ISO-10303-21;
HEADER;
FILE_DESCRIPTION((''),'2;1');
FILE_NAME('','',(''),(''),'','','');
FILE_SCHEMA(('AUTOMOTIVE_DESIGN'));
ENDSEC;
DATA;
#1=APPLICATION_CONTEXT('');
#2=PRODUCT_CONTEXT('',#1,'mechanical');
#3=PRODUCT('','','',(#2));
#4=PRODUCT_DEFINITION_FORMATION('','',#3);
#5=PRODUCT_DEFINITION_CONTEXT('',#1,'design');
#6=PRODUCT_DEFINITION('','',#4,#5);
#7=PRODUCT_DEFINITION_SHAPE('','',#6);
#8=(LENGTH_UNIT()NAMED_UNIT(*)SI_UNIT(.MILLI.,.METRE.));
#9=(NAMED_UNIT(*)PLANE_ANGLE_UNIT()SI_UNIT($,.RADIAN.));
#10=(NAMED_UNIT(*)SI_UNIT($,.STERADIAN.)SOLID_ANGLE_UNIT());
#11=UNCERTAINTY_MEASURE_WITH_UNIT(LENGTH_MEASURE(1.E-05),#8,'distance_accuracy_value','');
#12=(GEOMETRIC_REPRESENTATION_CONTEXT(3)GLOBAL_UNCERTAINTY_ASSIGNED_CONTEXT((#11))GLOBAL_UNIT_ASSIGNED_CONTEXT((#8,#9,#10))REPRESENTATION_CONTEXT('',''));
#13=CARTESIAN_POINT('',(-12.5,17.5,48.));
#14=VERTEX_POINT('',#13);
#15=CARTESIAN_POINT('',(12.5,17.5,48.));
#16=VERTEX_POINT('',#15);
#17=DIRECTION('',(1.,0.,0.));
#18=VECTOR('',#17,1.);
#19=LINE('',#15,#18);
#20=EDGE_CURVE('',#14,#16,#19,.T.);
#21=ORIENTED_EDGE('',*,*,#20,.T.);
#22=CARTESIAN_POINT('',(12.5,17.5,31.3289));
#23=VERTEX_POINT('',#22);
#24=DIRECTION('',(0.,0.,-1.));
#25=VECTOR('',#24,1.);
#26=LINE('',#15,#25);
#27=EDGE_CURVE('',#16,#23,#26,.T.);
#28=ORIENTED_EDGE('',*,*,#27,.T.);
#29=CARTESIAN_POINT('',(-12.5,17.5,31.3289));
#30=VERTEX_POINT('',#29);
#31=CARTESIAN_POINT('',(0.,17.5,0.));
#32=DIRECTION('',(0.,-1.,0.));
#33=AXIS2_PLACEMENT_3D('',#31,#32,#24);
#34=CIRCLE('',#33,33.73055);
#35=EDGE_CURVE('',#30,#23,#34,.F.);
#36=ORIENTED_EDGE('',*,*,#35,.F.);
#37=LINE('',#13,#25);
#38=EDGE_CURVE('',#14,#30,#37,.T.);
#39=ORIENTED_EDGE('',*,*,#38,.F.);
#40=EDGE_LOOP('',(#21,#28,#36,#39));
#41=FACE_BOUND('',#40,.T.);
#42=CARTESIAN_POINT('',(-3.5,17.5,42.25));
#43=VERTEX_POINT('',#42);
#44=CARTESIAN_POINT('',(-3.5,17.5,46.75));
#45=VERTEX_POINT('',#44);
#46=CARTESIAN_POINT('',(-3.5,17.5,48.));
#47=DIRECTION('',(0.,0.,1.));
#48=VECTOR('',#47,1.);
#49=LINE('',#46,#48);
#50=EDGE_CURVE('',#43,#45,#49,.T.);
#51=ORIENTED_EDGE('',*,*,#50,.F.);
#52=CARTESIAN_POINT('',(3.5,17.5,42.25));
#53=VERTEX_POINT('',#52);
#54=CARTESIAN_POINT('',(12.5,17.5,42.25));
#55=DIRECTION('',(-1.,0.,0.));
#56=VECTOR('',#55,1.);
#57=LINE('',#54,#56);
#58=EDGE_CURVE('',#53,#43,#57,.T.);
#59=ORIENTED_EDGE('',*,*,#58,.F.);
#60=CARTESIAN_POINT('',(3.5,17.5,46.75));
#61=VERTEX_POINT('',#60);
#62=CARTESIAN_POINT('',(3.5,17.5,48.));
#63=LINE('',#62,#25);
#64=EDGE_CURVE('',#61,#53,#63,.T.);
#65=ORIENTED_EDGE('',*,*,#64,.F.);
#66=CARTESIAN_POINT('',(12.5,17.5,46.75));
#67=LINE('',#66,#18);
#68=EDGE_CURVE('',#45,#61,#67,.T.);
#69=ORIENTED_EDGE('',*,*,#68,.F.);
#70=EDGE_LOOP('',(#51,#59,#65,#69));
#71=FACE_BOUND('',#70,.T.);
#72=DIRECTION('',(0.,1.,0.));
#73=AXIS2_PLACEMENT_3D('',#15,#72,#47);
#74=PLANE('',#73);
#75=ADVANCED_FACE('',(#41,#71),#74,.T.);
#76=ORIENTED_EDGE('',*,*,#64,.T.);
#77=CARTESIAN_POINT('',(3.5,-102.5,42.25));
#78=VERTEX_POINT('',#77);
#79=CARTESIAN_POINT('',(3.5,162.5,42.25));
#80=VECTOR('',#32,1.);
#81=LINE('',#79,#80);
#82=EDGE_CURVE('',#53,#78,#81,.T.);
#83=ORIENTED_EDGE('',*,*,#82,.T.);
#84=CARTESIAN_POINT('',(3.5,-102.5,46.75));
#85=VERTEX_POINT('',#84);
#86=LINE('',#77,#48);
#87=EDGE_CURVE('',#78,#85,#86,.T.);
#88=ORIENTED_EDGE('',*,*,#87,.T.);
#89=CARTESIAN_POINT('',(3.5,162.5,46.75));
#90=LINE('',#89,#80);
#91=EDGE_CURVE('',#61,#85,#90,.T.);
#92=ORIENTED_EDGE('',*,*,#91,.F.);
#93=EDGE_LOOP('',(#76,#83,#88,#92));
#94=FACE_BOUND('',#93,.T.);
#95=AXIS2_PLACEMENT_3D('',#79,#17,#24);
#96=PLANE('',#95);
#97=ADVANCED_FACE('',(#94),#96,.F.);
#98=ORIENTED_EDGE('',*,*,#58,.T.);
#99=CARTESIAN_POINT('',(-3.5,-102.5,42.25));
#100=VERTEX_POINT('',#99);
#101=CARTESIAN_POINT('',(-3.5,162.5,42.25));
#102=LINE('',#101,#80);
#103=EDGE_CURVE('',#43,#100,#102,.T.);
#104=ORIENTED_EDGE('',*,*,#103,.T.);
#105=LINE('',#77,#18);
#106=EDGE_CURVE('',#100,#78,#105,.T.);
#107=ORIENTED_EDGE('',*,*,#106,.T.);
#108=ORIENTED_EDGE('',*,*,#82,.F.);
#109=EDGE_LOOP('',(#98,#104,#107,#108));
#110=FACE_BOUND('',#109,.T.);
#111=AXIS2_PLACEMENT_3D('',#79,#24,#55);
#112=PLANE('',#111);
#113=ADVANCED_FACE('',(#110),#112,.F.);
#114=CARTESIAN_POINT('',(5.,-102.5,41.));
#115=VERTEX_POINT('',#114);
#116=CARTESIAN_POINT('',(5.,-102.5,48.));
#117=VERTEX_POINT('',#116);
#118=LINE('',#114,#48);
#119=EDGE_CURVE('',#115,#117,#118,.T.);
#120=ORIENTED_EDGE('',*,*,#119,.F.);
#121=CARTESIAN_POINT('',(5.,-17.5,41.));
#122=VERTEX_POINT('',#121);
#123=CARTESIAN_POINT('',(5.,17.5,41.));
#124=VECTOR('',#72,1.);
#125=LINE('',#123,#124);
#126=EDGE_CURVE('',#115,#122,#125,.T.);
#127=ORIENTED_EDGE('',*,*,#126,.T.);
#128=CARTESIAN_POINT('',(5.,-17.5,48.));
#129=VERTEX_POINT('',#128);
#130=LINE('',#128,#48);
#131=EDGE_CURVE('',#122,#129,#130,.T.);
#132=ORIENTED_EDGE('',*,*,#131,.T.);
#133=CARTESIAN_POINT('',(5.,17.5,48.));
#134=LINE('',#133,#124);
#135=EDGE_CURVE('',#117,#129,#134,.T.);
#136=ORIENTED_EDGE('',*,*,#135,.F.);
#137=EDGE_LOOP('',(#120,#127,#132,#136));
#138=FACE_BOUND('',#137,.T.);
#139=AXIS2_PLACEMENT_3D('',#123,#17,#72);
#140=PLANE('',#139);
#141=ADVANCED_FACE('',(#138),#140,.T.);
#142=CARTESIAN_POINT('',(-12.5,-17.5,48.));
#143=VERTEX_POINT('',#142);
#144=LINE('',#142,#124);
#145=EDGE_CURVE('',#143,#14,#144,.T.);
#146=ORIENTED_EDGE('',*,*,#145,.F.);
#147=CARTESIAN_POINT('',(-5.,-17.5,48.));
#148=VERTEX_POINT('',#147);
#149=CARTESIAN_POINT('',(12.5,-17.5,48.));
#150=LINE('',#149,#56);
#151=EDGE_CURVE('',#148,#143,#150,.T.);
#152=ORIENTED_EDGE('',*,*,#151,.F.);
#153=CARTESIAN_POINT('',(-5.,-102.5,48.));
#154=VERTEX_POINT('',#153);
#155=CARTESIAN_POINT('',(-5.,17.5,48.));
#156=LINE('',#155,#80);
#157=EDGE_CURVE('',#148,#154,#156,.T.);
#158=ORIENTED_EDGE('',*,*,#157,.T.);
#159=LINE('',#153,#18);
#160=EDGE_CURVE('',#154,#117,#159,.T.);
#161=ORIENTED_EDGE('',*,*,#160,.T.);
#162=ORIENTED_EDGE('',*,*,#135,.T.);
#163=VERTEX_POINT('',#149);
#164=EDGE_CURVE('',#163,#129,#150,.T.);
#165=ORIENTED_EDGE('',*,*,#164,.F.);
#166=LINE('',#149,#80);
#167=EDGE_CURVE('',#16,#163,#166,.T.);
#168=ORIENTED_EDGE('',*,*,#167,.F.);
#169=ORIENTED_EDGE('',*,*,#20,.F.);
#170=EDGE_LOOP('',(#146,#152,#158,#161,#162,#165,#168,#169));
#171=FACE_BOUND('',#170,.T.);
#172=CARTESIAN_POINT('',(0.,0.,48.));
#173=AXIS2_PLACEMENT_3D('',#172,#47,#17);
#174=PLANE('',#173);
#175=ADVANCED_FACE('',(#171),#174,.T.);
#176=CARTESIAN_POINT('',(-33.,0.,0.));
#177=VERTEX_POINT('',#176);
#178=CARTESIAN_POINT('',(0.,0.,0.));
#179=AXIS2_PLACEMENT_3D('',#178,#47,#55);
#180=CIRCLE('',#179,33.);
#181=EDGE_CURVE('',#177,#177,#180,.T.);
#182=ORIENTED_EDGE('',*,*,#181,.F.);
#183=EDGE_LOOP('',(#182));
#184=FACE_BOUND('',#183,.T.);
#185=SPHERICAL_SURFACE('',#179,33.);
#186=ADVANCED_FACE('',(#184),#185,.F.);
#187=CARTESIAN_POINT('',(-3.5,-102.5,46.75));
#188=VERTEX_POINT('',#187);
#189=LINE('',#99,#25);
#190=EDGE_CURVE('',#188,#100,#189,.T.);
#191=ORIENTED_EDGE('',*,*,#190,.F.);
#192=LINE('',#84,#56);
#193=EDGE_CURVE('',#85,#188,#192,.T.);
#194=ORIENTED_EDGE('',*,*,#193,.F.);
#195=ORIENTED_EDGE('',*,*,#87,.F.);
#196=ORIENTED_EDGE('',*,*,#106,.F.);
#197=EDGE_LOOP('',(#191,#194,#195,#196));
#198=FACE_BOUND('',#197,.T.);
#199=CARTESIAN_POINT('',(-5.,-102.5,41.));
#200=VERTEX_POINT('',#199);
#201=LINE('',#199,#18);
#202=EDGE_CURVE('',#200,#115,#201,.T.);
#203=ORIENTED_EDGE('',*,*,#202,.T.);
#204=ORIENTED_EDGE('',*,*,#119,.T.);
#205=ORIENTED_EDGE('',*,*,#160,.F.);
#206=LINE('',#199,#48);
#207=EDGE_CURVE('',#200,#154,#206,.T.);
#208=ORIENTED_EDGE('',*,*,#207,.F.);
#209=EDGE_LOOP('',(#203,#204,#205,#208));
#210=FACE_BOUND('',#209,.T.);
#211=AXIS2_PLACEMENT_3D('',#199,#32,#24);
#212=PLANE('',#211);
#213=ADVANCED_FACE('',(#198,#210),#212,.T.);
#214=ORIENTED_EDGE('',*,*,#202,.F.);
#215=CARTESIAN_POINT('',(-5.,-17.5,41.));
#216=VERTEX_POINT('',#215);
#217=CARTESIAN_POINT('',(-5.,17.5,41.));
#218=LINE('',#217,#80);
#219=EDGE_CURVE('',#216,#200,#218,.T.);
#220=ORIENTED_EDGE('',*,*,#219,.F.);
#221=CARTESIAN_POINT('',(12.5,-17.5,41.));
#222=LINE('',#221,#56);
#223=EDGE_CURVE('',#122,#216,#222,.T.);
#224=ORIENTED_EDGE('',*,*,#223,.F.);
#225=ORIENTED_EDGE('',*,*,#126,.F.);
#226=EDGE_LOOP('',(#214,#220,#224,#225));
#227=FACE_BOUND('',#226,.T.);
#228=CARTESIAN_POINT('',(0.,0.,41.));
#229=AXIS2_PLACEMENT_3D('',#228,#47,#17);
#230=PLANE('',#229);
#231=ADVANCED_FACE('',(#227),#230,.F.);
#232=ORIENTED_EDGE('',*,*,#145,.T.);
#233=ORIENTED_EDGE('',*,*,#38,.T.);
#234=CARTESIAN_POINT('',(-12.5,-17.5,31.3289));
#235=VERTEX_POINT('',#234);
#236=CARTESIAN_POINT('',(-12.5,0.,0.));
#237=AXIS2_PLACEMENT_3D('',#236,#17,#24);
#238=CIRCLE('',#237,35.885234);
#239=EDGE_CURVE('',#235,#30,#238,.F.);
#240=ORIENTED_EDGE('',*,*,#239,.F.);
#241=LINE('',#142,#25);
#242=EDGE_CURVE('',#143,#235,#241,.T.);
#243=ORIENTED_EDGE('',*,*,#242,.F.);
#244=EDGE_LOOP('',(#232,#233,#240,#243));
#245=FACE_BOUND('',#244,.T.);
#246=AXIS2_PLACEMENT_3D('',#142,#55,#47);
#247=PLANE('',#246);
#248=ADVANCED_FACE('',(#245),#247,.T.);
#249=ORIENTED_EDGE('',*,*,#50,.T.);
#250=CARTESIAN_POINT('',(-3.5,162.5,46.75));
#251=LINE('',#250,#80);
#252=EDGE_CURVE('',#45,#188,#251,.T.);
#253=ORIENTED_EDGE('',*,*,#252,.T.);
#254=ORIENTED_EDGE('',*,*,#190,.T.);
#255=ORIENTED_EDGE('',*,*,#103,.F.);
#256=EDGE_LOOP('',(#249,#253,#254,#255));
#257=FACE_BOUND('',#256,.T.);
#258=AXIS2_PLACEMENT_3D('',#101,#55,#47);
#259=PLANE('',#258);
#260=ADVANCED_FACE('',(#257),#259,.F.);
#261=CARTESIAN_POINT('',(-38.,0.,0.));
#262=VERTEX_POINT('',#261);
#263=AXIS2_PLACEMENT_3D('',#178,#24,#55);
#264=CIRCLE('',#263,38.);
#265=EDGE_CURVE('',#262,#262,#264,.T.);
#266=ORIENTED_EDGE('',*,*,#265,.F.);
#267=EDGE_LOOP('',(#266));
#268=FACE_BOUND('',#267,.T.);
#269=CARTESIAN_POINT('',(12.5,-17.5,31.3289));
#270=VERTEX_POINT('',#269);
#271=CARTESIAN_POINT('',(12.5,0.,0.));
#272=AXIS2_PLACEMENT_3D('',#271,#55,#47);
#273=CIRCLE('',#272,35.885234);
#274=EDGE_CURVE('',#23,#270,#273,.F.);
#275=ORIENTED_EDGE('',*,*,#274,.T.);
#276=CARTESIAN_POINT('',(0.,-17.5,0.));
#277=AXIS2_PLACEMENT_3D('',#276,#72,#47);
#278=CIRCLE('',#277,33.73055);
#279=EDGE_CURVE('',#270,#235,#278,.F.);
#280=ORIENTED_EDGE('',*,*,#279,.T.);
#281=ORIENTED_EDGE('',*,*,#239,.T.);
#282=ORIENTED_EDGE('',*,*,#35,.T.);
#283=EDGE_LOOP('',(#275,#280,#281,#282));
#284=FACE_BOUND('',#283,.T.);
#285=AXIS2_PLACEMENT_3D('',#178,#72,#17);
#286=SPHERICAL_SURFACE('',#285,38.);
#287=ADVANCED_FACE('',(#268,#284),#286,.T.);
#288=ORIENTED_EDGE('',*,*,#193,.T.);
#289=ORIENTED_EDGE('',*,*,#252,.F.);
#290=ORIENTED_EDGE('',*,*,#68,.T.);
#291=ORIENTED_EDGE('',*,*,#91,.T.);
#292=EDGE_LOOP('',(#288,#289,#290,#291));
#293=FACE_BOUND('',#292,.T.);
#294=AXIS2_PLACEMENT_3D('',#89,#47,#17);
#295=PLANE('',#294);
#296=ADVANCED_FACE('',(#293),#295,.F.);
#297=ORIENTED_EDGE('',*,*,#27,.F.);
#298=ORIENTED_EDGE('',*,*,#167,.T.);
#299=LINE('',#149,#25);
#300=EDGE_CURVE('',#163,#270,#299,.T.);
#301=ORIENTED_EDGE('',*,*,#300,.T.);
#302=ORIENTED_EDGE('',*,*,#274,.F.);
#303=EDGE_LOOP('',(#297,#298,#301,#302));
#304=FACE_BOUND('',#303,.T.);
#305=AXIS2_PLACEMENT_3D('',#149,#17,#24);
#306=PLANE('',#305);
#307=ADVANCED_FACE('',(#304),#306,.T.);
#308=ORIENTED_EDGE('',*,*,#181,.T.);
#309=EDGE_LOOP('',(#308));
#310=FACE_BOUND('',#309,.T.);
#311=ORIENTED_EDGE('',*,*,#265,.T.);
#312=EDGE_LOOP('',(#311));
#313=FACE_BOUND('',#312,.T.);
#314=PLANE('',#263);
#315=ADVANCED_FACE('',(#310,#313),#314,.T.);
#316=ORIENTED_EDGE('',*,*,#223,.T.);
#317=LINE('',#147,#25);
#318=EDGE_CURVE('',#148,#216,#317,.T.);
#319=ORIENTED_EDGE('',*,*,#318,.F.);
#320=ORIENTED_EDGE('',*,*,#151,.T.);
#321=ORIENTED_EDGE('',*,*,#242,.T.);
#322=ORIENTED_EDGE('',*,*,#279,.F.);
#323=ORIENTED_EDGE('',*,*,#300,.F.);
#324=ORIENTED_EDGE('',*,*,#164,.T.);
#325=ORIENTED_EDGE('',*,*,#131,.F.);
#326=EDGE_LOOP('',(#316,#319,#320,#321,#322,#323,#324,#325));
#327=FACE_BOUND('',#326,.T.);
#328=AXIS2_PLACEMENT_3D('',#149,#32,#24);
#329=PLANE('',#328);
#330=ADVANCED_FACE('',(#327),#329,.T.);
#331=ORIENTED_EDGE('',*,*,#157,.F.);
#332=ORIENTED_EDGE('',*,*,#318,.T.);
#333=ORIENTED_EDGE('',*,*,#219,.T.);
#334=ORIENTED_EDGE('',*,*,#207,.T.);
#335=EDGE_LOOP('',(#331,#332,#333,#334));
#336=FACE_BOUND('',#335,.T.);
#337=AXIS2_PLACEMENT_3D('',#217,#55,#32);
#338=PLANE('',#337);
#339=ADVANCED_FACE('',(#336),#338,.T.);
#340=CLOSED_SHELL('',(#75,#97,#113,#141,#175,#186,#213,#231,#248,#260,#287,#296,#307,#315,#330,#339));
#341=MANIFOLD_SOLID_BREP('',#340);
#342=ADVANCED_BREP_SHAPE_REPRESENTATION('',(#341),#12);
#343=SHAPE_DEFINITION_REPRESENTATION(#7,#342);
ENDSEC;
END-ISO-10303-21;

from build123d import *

# Parameters (mm, degrees)
REVOLVE1_ANGLE                  = 180
BOSS_EXTRUDE2_REACH             = 67.818
BOSS_EXTRUDE2_END_RADIUS        = 38
SKETCH2_W                       = 25
SKETCH2_H                       = 35
BOSS_EXTRUDE2_DIRECTION_2_DEPTH = 10
SKETCH5_W                       = 10
SKETCH5_H                       = 120
BOSS_EXTRUDE3_DEPTH             = 7
SKETCH6_W                       = 7
SKETCH6_H                       = 4.5
CUT_EXTRUDE1_DEPTH              = 265


with BuildPart() as part:
    # Sketch1 → Revolve1 (revolve)
    with BuildSketch(Plane.XY):
        with BuildLine():
            Line((0, 38), (0, 33))
            ThreePointArc((0, 33), (33, 0), (0, -33))
            Line((0, -33), (0, -38))
            ThreePointArc((0, -38), (38, 0), (0, 38))
        make_face()
    revolve(axis=Axis((0, -33, 0), (0, -1, 0)), revolution_arc=REVOLVE1_ANGLE)

    # Boss-Extrude2: up to this sphere (the profile starts outside it)
    boss_extrude2_end = Location((0, 0, 0)) * Sphere(BOSS_EXTRUDE2_END_RADIUS, mode=Mode.PRIVATE)
    # Sketch2 → Boss-Extrude2 (add, up to the surface)
    with BuildSketch(Plane(origin=(0, 0, 38), x_dir=(-1, 0, 0), z_dir=(0, 0, -1)), mode=Mode.PRIVATE) as boss_extrude2_sk1:
        Rectangle(SKETCH2_W, SKETCH2_H)
    boss_extrude2_tool1 = extrude(boss_extrude2_sk1.sketch, amount=BOSS_EXTRUDE2_REACH, mode=Mode.PRIVATE) - boss_extrude2_end
    add(boss_extrude2_tool1.solids().sort_by_distance((0, 0, 38))[0])

    # Sketch2 → Boss-Extrude2 direction 2 (add)
    with BuildSketch(Plane(origin=(0, 0, 38), x_dir=(-1, 0, 0), z_dir=(0, 0, -1))):
        Rectangle(SKETCH2_W, SKETCH2_H)
    extrude(amount=-BOSS_EXTRUDE2_DIRECTION_2_DEPTH)

    # Sketch5 → Boss-Extrude3 (add)
    with BuildSketch(Plane.XY.offset(48)):
        with Locations((0, -42.5)):
            Rectangle(SKETCH5_W, SKETCH5_H)
    extrude(amount=-BOSS_EXTRUDE3_DEPTH)

    # Sketch6 → Cut-Extrude1 (cut)
    with BuildSketch(Plane(origin=(0, -102.5, 0), x_dir=(-1, 0, 0), z_dir=(0, -1, 0))):
        with Locations((0, -44.5)):
            Rectangle(SKETCH6_W, SKETCH6_H)
    extrude(amount=-CUT_EXTRUDE1_DEPTH, mode=Mode.SUBTRACT)


solid = part.part
